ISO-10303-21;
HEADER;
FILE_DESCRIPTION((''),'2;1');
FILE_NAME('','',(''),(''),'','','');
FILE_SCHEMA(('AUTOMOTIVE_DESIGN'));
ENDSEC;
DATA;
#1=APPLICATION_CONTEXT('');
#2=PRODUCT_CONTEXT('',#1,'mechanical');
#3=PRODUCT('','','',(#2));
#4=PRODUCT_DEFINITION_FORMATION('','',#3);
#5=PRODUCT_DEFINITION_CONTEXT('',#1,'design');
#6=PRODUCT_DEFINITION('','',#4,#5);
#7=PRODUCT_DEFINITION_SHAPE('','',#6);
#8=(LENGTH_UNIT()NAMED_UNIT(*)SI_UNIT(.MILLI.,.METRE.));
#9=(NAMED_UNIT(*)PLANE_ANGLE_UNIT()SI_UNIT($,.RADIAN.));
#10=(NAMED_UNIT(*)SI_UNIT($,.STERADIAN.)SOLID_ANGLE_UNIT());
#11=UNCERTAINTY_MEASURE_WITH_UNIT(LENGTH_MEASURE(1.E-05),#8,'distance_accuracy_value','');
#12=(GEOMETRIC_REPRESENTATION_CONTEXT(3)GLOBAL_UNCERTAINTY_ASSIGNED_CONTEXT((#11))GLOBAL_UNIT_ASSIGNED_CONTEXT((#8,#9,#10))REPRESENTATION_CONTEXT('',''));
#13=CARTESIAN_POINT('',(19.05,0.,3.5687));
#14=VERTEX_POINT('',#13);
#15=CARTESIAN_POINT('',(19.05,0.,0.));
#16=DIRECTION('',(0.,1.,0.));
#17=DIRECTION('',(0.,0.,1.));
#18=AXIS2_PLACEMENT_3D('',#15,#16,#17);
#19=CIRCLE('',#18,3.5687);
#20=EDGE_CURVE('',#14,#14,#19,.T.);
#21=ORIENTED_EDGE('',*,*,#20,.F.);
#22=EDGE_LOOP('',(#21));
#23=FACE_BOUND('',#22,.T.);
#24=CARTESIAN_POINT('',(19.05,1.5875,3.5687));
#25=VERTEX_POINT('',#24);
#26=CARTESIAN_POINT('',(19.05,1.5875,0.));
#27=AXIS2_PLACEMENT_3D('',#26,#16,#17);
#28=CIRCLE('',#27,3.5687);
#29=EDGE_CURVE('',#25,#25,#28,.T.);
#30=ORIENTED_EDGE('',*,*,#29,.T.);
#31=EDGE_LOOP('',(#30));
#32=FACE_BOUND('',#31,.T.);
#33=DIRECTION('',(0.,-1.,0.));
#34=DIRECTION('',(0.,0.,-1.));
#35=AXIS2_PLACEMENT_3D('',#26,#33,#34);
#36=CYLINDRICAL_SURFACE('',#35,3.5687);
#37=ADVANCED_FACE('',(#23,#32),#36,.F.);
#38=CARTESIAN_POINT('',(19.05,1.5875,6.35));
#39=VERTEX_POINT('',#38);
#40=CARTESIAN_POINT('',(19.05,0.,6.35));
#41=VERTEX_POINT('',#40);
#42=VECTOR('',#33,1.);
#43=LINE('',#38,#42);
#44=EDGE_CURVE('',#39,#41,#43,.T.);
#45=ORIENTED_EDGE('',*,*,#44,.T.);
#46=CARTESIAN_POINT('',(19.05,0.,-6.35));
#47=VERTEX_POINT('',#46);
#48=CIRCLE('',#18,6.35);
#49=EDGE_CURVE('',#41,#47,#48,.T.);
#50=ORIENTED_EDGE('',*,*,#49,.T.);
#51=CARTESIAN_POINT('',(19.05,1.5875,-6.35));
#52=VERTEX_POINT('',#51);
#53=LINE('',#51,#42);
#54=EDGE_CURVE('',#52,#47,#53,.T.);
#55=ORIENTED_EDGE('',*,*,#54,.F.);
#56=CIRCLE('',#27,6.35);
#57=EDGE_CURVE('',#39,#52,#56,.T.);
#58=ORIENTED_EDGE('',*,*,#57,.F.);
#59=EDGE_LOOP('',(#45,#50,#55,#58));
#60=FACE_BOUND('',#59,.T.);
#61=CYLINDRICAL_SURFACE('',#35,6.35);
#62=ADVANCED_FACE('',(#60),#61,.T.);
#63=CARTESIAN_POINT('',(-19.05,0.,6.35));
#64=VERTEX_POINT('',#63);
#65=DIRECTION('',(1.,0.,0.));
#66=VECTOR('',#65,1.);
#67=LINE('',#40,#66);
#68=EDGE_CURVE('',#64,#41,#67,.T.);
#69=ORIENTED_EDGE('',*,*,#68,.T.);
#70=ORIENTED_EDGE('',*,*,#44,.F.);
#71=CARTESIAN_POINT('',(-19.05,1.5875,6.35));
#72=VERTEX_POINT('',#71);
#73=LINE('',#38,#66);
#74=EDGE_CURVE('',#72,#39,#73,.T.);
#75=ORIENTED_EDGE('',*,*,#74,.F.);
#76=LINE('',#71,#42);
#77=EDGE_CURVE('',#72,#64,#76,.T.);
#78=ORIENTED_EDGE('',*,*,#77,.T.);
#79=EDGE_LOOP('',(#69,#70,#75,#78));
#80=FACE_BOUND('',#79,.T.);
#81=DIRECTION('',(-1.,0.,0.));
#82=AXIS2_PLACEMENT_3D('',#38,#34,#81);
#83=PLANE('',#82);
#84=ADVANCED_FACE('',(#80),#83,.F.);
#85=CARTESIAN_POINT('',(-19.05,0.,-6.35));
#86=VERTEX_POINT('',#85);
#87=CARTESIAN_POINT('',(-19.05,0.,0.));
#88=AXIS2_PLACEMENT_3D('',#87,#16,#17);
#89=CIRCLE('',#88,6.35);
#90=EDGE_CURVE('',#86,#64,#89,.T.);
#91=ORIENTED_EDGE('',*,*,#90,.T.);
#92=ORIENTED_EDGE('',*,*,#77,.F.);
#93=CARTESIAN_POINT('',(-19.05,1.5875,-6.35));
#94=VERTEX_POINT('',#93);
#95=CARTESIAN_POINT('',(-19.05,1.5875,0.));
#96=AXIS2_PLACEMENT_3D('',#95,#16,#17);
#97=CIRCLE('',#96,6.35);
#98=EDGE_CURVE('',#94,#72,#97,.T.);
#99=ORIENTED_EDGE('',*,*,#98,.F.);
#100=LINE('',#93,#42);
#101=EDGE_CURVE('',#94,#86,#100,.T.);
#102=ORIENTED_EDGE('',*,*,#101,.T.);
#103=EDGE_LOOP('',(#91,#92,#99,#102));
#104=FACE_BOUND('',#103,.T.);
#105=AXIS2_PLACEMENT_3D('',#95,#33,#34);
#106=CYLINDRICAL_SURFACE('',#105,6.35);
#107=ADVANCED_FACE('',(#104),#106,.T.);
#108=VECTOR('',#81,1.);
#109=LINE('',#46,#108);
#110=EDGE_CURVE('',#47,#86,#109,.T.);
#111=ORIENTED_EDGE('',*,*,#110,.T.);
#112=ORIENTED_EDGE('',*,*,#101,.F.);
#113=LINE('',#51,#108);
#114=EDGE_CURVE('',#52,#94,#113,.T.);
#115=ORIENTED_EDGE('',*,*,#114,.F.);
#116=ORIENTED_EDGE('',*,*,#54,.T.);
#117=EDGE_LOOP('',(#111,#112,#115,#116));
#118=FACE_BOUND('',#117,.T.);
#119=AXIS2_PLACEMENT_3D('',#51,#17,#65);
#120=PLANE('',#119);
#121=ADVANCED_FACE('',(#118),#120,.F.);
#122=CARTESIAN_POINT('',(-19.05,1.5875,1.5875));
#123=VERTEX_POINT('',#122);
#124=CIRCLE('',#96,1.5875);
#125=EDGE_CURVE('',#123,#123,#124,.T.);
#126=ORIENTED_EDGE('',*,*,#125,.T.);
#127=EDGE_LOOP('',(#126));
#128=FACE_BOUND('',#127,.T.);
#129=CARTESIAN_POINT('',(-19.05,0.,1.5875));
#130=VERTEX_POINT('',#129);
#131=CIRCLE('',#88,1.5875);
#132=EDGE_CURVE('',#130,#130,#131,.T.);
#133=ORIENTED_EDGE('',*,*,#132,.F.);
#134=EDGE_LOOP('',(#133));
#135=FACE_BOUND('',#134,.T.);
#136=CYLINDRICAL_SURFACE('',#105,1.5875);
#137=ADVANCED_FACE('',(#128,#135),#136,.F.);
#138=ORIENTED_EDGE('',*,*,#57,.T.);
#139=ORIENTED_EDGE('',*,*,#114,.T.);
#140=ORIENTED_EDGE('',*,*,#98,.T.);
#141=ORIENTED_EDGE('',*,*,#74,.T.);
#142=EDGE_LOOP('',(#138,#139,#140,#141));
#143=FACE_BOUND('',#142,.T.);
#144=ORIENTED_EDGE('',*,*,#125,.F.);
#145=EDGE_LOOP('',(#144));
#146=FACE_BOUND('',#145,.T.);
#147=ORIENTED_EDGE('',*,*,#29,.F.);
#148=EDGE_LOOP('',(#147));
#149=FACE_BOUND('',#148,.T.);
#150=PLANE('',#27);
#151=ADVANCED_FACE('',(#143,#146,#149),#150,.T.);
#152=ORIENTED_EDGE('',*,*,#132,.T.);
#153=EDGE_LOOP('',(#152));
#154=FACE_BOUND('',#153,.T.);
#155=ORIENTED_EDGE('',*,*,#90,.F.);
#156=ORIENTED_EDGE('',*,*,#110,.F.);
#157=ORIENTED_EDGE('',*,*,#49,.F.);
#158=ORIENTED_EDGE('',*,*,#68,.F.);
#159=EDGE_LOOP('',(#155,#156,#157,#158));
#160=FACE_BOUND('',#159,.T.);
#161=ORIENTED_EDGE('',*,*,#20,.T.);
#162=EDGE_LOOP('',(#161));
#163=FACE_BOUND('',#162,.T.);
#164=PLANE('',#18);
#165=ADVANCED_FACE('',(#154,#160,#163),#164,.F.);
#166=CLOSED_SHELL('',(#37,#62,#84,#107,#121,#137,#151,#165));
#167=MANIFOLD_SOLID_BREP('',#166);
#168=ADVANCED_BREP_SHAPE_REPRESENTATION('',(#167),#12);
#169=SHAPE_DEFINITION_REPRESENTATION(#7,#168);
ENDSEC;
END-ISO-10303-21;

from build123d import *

# Parameters (mm, degrees)
SKETCH1_R           = 1.5875
SKETCH1_R_2         = 3.5687
BOSS_EXTRUDE1_DEPTH = 1.5875


with BuildPart() as part:
    # Sketch1 → Boss-Extrude1 (new body)
    with BuildSketch(Plane(origin=(0, 0, 0), x_dir=(1, 0, 0), z_dir=(0, 1, 0))):
        with BuildLine():
            Line((19.05, -6.35), (-19.05, -6.35))
            ThreePointArc((-19.05, -6.35), (-25.4, 0), (-19.05, 6.35))
            Line((-19.05, 6.35), (19.05, 6.35))
            ThreePointArc((19.05, 6.35), (25.4, 0), (19.05, -6.35))
        make_face()
        with Locations(Location((-19.05, 0, 0), (0, 0, 270))):
            Circle(SKETCH1_R, mode=Mode.SUBTRACT)
        with Locations(Location((19.05, 0, 0), (0, 0, 270))):
            Circle(SKETCH1_R_2, mode=Mode.SUBTRACT)
    extrude(amount=BOSS_EXTRUDE1_DEPTH)


solid = part.part
